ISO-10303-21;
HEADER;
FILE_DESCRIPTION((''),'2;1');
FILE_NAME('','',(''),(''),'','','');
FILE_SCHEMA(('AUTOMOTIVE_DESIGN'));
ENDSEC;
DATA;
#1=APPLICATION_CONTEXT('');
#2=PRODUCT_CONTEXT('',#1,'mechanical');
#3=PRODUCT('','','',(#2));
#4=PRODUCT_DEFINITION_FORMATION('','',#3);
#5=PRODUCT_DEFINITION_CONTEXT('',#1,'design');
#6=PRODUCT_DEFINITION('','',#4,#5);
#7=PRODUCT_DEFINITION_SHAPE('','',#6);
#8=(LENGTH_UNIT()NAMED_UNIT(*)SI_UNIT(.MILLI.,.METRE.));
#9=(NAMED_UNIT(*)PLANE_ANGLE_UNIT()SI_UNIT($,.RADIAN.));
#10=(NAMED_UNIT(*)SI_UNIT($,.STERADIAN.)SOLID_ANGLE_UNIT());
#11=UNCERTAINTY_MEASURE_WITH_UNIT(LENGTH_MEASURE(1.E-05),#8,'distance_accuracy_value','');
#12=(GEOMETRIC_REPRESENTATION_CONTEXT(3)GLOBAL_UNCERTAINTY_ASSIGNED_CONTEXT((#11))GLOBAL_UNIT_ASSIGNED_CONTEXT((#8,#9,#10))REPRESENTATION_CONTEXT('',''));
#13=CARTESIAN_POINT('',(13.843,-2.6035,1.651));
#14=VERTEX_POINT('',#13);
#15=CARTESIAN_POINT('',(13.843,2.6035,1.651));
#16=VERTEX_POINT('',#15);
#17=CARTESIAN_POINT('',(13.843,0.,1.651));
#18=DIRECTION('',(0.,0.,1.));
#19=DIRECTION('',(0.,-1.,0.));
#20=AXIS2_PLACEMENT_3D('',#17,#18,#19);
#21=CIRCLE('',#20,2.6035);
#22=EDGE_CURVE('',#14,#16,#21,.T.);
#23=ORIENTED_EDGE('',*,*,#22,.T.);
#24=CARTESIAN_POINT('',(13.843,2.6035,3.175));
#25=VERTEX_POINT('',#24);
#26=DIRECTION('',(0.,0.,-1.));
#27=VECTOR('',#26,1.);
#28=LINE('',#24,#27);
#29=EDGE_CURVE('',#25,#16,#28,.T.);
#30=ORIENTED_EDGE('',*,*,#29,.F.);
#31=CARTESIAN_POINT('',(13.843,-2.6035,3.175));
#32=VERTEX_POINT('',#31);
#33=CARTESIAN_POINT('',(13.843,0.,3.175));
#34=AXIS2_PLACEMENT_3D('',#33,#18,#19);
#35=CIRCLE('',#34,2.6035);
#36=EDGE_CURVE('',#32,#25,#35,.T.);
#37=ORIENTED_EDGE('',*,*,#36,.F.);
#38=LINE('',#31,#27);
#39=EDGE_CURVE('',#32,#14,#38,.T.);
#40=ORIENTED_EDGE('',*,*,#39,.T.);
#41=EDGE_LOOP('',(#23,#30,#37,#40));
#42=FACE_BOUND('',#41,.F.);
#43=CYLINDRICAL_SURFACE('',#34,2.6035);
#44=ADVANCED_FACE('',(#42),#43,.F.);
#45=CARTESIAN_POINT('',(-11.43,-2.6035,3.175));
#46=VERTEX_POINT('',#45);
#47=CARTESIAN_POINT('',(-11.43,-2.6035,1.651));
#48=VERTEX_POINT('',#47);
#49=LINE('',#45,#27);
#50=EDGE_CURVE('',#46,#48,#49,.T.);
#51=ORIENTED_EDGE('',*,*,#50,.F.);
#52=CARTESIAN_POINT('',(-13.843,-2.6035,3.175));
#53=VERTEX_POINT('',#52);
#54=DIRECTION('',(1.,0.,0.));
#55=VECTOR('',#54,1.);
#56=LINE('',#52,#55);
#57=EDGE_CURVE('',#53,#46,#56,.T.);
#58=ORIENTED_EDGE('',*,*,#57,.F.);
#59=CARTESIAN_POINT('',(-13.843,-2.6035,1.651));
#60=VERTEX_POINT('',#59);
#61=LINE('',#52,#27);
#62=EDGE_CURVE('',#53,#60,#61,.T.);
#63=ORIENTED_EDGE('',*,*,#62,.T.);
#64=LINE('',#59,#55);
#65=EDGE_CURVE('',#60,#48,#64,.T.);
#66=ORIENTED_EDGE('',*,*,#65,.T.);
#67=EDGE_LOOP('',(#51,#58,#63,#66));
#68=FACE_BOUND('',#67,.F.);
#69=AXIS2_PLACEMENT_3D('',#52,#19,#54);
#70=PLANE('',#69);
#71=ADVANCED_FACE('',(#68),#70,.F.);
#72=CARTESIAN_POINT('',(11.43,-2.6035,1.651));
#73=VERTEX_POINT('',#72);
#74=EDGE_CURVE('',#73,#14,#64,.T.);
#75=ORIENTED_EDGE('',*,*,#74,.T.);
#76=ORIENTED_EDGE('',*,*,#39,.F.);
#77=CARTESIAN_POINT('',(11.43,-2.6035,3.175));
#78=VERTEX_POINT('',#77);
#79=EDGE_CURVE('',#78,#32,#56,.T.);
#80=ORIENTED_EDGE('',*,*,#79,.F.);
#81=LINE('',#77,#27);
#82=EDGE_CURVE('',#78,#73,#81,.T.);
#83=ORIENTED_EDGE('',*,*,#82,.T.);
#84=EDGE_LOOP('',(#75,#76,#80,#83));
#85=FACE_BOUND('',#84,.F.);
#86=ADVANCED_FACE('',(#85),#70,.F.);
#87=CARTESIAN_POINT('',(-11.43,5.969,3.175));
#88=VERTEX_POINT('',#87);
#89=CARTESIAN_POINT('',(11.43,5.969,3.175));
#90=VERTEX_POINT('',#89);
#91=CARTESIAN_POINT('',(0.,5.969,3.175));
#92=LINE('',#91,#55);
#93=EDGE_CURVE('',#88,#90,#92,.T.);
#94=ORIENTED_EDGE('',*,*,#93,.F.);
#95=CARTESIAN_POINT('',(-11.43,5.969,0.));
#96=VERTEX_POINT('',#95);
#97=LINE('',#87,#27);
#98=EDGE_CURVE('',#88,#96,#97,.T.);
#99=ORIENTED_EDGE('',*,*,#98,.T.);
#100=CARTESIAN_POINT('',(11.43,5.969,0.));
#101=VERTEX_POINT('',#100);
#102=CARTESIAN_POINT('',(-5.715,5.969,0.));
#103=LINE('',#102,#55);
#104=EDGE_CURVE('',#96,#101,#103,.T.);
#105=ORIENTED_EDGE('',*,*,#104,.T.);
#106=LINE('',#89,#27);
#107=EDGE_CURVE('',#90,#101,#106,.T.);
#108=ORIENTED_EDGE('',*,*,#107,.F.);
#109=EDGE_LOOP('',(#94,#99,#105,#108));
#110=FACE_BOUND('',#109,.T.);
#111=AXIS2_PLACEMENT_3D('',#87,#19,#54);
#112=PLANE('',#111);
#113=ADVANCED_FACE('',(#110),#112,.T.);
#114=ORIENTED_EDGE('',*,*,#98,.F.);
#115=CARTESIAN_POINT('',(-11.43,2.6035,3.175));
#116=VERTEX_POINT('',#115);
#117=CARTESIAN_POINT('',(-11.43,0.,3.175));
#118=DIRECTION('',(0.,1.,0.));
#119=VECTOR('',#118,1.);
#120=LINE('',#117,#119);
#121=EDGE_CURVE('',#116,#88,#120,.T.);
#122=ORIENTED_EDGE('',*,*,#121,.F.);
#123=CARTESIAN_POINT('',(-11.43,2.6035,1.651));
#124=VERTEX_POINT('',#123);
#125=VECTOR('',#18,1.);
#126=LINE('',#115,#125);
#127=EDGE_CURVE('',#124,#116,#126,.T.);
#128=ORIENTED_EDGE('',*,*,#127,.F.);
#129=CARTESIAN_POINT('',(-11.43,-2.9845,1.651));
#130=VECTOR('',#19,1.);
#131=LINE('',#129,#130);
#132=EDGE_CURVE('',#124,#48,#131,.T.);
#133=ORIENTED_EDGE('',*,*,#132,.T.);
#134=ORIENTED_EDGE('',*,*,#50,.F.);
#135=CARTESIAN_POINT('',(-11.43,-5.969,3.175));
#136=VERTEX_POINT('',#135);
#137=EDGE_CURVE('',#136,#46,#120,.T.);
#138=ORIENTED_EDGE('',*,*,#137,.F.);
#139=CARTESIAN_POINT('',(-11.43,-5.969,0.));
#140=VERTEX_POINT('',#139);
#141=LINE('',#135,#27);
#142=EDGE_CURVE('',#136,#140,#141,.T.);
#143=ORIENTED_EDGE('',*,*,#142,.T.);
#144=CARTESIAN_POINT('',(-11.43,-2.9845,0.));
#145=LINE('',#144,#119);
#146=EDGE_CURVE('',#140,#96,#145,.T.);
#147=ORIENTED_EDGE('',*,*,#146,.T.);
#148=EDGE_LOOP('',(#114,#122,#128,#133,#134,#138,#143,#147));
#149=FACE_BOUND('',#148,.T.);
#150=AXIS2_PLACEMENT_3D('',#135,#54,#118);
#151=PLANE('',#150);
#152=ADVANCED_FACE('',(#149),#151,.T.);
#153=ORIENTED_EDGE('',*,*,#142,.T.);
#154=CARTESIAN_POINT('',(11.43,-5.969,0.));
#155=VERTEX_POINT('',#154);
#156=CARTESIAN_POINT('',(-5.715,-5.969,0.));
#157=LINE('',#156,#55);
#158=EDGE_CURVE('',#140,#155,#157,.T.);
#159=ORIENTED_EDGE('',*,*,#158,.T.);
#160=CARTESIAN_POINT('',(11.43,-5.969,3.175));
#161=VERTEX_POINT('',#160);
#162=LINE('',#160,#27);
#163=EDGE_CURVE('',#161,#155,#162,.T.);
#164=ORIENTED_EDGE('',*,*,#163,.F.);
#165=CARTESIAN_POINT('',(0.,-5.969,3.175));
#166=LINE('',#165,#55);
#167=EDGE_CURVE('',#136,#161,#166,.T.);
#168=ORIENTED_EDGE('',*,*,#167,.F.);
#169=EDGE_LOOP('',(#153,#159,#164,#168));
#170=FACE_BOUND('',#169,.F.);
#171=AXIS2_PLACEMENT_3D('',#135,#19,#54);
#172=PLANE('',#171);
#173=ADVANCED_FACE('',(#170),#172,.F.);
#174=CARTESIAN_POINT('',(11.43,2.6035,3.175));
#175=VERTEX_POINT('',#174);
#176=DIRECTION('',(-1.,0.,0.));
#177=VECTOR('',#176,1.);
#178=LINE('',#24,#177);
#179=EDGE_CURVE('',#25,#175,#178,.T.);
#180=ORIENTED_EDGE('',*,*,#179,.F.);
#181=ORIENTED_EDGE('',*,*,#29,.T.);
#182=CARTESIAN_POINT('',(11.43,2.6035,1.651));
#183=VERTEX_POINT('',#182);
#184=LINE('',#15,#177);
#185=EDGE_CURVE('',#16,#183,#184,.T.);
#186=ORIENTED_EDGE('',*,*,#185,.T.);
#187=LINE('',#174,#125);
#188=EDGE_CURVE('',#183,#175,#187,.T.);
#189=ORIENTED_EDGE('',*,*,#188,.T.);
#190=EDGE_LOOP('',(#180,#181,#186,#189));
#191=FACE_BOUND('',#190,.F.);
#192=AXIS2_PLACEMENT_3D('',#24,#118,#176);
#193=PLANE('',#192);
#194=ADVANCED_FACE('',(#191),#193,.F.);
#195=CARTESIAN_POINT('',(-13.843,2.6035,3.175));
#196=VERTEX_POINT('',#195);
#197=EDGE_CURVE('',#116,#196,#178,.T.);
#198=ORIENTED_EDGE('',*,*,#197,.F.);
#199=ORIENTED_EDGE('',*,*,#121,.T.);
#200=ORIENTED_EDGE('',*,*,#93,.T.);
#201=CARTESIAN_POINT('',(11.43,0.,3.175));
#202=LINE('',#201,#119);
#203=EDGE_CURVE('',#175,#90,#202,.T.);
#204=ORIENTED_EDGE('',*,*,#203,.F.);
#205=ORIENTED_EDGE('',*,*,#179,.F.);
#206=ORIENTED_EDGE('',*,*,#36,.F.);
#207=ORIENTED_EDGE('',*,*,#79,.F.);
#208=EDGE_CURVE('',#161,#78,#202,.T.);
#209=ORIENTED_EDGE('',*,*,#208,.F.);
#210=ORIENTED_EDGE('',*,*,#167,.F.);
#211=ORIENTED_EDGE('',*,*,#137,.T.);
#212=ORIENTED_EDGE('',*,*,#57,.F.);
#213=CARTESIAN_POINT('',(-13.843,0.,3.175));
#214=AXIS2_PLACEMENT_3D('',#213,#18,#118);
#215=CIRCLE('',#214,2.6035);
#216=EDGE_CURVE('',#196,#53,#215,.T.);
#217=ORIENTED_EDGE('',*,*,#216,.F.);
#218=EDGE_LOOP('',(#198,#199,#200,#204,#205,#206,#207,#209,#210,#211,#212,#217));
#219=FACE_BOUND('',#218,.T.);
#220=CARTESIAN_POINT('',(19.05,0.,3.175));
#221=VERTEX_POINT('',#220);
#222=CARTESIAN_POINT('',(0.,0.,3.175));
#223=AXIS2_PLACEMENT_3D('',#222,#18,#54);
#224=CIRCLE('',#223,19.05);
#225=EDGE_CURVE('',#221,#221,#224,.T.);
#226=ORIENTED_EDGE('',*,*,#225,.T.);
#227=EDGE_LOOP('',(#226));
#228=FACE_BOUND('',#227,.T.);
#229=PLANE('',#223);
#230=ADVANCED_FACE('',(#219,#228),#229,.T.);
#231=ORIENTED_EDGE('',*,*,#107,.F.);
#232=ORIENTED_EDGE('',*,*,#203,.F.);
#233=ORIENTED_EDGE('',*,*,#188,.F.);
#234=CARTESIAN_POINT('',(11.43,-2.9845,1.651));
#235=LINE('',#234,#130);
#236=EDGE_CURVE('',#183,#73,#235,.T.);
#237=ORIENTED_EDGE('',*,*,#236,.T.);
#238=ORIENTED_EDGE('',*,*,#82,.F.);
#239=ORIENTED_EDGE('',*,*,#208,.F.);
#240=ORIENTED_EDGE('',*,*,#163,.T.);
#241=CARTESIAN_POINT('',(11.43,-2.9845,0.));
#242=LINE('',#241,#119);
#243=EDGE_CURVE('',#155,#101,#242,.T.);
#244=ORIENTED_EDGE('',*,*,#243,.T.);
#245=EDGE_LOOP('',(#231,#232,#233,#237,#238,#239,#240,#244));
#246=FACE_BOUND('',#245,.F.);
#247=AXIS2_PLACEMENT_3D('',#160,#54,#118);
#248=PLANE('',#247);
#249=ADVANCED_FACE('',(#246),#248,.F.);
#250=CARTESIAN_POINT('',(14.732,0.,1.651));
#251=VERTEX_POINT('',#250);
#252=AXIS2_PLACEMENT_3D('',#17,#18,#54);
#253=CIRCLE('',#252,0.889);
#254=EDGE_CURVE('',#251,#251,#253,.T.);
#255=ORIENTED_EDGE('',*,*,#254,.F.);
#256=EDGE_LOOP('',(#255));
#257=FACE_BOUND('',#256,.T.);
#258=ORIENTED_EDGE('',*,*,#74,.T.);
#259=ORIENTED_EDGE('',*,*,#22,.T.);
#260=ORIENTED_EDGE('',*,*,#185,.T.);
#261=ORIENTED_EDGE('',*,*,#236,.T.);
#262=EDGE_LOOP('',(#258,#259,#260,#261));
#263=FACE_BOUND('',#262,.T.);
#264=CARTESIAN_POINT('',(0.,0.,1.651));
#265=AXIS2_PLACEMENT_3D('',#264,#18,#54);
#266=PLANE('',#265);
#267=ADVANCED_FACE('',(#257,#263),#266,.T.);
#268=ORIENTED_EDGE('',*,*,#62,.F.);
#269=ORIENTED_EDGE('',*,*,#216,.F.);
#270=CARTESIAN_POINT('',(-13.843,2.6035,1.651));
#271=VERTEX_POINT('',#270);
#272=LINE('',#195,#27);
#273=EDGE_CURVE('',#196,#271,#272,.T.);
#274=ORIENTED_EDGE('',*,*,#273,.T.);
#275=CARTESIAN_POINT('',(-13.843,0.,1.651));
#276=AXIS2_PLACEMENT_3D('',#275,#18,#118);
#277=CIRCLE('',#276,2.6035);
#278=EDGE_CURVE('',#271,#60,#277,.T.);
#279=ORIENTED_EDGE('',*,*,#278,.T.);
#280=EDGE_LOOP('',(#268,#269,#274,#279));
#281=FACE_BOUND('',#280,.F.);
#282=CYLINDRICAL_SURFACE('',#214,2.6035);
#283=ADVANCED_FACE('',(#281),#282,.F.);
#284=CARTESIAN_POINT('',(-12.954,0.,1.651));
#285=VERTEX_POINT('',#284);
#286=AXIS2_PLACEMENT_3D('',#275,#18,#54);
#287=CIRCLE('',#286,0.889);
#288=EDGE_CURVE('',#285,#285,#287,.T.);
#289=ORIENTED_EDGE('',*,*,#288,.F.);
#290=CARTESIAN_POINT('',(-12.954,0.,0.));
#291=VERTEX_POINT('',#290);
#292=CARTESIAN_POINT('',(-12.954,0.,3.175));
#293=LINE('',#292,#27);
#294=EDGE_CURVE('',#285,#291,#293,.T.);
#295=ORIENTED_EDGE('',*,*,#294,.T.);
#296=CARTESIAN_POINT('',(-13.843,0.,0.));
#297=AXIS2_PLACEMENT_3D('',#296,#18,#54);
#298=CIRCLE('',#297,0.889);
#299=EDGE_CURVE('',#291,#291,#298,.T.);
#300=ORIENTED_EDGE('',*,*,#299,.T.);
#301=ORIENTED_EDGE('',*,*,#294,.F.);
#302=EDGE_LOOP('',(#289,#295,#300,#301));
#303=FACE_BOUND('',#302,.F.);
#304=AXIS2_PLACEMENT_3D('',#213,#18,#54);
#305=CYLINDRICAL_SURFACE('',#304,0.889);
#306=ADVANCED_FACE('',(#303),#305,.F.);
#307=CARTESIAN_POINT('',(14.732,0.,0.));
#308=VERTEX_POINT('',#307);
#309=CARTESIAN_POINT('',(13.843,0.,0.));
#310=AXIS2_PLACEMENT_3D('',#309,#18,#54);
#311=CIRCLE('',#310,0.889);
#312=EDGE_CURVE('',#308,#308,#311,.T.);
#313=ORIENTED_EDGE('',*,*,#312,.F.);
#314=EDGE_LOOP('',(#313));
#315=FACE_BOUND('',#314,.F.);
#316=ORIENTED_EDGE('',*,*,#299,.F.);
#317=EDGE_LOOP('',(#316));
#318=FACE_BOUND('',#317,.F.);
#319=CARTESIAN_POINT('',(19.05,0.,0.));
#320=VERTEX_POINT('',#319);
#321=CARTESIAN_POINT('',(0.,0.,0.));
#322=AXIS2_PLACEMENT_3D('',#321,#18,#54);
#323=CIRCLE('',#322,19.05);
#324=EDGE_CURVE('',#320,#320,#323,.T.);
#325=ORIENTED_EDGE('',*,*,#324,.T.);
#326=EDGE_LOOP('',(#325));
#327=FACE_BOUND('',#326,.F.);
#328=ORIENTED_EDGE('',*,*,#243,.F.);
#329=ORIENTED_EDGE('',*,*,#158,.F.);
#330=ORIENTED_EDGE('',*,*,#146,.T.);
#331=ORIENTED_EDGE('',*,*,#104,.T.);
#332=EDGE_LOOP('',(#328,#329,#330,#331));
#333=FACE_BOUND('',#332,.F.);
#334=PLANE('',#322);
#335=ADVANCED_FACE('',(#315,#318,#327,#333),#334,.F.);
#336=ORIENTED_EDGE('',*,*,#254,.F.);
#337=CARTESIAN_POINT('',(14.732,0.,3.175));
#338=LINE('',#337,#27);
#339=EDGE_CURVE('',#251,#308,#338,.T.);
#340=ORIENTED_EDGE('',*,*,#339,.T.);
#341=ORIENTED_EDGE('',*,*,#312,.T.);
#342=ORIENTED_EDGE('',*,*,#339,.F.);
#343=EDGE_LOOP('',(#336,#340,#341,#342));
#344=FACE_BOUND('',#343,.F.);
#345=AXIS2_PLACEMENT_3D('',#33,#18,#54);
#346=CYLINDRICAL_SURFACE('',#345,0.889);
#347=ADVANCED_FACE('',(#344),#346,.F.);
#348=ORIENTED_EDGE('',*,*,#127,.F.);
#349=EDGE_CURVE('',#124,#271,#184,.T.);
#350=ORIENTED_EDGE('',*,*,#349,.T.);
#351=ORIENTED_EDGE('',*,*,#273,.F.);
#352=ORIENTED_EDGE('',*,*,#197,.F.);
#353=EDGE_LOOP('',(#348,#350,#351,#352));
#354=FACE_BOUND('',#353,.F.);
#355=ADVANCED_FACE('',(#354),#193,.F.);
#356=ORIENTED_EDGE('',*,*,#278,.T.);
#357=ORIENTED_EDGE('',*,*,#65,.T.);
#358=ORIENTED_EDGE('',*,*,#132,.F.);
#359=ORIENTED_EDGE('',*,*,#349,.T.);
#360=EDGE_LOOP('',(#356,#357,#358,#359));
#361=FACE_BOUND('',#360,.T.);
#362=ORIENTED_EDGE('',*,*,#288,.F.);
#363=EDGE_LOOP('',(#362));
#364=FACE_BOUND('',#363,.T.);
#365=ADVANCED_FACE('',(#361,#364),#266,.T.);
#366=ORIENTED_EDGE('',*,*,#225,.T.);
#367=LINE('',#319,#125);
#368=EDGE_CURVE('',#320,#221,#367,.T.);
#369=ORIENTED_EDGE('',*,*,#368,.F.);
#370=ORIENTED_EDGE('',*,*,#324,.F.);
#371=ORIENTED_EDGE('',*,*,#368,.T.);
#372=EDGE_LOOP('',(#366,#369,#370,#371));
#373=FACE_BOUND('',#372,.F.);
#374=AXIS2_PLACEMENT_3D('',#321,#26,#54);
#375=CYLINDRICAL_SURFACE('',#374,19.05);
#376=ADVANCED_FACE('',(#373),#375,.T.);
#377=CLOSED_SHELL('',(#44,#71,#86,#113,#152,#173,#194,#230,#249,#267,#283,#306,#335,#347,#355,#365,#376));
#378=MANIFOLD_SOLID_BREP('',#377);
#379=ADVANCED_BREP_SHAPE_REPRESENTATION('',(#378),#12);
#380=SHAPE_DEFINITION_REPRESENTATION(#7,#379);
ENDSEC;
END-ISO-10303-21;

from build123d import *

# Parameters (mm, degrees)
F0_R     = 19.05
F1_DEPTH = 3.175
F2_W     = 22.86
F2_H     = 11.938
F2_R     = 0.889
F3_DEPTH = 3.176
F5_DEPTH = 1.524


with BuildPart() as f1:
    # F0 (on Top) → F1 (new body)
    with BuildSketch(Plane.XY):
        Circle(F0_R)
    extrude(amount=F1_DEPTH)

    # F2 (on face) → F3 (cut, through all)
    with BuildSketch(Plane.XY.offset(3.175)):
        Rectangle(F2_W, F2_H)
        with Locations((-13.843, 0)):
            Circle(F2_R)
        with Locations((13.843, 0)):
            Circle(F2_R)
    extrude(amount=-F3_DEPTH, mode=Mode.SUBTRACT)

    # F4 (on face) → F5 (cut)
    with BuildSketch(Plane.XY.offset(3.175)):
        with BuildLine():
            Line((13.843, 2.6035), (-13.843, 2.6035))
            ThreePointArc((-13.843, 2.6035), (-16.4465, 0), (-13.843, -2.6035))
            Line((-13.843, -2.6035), (13.843, -2.6035))
            ThreePointArc((13.843, -2.6035), (16.4465, 0), (13.843, 2.6035))
        make_face()
    extrude(amount=-F5_DEPTH, mode=Mode.SUBTRACT)


solid = f1.part
